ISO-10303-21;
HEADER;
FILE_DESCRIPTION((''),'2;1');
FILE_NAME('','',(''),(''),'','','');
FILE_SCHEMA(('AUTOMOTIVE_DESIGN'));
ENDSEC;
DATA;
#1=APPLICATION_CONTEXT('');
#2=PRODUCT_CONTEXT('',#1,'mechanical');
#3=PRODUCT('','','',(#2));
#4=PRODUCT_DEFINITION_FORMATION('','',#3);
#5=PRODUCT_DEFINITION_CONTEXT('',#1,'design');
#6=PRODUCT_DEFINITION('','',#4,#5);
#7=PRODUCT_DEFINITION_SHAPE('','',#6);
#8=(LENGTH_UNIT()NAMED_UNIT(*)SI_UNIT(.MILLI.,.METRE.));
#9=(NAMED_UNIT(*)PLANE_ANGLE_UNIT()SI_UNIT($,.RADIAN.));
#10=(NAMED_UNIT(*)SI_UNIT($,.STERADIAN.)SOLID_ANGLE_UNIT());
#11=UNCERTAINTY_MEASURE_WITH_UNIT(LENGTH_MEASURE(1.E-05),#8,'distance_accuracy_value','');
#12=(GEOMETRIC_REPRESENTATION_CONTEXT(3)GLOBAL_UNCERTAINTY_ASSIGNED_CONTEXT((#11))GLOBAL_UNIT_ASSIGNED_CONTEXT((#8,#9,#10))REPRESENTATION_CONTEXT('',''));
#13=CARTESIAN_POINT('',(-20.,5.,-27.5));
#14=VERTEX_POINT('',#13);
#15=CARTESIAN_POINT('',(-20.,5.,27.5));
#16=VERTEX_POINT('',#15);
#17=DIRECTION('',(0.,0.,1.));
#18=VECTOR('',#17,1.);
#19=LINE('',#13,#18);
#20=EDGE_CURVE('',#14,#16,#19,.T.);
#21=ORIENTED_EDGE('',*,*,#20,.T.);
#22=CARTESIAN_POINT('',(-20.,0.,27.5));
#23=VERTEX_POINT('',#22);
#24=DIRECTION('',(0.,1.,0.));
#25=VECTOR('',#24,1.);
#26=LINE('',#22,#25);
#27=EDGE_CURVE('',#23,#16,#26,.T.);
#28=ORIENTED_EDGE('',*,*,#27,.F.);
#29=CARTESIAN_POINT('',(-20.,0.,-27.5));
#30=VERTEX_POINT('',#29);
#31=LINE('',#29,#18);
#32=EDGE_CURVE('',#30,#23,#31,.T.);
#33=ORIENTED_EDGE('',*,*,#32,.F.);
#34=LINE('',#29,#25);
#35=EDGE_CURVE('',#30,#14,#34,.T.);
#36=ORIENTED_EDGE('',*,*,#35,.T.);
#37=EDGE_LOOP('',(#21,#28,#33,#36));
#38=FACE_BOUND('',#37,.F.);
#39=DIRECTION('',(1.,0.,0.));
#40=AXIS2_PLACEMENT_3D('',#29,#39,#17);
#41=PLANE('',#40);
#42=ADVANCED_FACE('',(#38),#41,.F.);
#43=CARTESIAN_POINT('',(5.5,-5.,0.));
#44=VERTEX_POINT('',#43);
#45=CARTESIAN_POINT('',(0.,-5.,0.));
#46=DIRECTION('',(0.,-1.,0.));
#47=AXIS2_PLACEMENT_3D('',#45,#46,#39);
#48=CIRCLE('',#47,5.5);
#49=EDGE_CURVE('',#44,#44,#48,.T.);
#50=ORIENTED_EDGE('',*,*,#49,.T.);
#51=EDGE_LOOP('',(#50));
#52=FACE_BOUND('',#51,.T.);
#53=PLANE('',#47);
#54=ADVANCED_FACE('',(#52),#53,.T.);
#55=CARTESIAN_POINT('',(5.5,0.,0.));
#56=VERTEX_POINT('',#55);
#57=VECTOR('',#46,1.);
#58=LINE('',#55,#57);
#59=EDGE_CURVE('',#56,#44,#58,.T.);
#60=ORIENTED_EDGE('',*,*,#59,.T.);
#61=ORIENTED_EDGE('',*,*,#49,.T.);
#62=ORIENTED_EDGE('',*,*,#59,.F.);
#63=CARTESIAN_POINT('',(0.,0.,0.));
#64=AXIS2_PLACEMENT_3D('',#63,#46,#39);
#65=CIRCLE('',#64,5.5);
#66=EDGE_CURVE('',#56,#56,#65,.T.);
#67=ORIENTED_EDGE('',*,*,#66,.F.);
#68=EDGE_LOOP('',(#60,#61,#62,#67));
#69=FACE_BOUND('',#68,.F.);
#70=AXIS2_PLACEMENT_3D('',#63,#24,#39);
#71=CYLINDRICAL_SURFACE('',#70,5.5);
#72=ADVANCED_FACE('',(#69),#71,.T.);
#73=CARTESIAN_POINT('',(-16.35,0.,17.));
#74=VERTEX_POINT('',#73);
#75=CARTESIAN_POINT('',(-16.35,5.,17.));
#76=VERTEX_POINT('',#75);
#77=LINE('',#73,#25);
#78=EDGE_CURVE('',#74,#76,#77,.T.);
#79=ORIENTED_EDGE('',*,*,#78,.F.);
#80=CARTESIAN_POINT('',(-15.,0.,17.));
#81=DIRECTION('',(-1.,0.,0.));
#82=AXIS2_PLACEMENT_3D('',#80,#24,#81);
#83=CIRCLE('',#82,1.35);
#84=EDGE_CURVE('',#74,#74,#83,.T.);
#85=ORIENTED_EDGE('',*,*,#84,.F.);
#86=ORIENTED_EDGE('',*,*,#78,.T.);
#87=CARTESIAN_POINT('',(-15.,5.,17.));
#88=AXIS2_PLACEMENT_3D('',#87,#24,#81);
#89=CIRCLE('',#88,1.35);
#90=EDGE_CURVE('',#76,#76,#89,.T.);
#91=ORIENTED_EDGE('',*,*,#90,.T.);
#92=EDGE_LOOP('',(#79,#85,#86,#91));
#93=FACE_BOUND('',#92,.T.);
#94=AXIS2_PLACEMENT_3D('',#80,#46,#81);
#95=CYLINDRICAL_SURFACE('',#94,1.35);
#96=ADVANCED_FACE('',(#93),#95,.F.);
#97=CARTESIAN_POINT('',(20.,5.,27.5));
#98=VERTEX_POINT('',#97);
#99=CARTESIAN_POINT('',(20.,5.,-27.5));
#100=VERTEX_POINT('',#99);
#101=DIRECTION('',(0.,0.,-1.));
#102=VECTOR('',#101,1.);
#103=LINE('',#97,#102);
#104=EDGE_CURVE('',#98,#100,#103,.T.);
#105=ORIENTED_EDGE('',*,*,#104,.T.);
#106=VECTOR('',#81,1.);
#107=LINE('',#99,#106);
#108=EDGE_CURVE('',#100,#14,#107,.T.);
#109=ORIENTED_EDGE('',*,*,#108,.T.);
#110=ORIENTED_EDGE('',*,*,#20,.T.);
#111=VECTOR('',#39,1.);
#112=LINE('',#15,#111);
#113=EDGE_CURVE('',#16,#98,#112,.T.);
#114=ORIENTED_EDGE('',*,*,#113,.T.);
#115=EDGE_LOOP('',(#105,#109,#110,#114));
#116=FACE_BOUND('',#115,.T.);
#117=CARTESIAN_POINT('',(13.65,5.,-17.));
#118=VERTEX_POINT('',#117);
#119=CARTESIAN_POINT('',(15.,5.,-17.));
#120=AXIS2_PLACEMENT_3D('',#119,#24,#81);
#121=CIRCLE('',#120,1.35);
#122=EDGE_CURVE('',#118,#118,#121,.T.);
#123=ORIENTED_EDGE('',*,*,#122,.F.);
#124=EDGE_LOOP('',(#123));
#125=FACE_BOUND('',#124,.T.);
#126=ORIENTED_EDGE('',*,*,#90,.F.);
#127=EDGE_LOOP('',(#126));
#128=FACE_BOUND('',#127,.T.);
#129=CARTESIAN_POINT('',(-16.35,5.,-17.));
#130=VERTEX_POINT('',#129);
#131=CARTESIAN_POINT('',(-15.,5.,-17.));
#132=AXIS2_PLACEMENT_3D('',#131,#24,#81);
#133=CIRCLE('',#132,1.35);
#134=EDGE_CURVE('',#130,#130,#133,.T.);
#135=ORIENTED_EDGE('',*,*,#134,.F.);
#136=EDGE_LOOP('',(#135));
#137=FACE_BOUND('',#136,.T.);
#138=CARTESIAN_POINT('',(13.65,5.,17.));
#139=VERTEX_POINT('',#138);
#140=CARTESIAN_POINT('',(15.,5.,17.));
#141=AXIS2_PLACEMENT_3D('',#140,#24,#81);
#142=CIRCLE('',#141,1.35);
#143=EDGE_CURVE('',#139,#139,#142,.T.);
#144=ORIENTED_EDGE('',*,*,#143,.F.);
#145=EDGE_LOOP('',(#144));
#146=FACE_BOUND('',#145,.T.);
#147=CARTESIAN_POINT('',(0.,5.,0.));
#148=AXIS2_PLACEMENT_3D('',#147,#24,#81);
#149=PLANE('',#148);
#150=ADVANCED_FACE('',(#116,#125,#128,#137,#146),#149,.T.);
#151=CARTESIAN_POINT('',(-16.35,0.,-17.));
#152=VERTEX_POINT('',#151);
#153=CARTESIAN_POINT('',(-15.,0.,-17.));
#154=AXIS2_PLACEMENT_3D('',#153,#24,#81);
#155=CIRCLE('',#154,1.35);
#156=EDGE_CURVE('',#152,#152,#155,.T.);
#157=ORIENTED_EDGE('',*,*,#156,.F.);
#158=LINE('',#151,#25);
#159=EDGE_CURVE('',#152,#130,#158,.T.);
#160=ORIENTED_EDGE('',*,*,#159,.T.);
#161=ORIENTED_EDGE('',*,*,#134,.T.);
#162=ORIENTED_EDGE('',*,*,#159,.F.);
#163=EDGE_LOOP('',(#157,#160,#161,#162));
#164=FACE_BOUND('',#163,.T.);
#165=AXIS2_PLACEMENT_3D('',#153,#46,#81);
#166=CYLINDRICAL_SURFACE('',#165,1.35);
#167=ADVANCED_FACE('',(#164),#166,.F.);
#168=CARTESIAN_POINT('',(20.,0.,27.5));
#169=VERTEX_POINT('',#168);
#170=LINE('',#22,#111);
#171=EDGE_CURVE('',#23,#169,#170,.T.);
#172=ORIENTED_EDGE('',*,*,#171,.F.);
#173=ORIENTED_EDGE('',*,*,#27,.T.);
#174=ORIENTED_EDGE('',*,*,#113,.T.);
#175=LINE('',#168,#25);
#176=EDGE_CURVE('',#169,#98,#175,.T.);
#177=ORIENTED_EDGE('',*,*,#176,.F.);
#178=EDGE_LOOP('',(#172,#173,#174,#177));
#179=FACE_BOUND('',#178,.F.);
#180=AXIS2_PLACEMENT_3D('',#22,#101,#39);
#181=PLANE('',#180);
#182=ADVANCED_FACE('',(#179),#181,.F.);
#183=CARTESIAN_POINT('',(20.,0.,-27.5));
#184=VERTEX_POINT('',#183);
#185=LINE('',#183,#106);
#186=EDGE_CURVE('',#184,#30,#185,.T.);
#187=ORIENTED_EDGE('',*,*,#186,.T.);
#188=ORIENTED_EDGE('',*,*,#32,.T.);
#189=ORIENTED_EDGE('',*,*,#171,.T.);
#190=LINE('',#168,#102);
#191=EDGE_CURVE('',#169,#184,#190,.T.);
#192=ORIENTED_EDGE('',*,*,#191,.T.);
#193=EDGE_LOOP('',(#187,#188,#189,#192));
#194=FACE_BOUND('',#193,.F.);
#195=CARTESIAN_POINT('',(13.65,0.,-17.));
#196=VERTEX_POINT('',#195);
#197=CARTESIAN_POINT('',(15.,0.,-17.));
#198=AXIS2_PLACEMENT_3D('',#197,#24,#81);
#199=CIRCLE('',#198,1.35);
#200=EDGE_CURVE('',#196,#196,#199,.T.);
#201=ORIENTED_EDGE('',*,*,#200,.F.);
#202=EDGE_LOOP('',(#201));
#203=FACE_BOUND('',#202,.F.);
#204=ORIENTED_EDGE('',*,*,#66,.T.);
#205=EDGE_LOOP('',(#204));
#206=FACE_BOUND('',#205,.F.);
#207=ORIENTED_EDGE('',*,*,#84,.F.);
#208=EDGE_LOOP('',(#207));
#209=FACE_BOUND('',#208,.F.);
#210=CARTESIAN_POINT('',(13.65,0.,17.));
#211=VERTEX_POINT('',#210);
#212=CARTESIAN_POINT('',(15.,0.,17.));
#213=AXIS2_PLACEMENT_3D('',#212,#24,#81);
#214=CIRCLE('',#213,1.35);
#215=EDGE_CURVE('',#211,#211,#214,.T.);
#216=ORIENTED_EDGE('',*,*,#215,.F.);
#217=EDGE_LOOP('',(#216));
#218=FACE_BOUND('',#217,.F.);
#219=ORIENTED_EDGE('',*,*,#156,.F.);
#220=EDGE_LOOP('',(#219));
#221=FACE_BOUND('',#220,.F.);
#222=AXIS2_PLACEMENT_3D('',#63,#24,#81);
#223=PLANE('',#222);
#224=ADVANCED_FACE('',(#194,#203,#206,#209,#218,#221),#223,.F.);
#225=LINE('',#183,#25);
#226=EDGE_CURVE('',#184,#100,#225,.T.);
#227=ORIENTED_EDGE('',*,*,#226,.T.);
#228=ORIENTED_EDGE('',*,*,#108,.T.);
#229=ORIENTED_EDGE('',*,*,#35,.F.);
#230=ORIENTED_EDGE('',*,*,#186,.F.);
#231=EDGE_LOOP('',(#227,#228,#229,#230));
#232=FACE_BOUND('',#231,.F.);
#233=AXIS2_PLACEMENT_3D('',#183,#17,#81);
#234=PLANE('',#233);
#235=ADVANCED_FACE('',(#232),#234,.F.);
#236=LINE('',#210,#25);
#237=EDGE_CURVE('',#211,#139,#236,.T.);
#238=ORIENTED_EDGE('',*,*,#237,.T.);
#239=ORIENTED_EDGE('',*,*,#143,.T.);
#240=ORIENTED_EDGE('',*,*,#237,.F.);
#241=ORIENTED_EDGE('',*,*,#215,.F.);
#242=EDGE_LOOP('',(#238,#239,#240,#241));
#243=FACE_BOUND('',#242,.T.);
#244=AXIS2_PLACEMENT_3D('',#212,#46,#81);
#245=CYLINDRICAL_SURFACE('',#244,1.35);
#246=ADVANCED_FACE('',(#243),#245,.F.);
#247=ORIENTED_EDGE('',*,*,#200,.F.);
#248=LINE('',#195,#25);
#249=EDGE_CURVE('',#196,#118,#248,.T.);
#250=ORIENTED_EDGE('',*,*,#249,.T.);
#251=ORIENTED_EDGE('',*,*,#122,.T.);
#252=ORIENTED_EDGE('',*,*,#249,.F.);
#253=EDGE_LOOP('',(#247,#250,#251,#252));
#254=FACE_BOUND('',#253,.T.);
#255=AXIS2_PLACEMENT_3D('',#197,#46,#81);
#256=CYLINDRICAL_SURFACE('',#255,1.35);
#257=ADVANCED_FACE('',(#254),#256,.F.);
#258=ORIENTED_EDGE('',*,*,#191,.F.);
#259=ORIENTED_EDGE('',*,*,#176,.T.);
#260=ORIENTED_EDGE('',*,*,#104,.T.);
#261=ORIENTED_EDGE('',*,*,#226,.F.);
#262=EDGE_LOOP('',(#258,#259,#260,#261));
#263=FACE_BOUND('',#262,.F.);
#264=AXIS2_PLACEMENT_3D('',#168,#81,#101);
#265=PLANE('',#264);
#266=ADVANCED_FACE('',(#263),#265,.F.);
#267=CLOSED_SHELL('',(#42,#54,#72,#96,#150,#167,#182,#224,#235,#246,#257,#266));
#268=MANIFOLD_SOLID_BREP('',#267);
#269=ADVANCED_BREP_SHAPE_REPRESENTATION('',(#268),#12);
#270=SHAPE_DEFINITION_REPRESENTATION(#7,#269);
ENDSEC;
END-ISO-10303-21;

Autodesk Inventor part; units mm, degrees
ref_plane "YZ Plane" through (0, 0, 0) normal (1, 0, 0) x (0, 1, 0)
ref_plane "XZ Plane" through (0, 0, 0) normal (0, 1, 0) x (-1, 0, 0)
ref_plane "XY Plane" through (0, 0, 0) normal (0, 0, 1) x (1, 0, 0)
sketch "Sketch1" plane through (0, 0, 0) normal (0, 1, 0) x (-1, 0, 0)
  line L0 (20, 27.5) -> (-20, 27.5)
  line L1 (-20, 27.5) -> (-20, -27.5)
  line L2 (-20, -27.5) -> (20, -27.5)
  line L3 (20, -27.5) -> (20, 27.5)
  circle A0 centre (15, 17) radius 1.35
  circle A1 centre (15, -17) radius 1.35
  circle A2 centre (-15, 17) radius 1.35
  circle A3 centre (-15, -17) radius 1.35
  point P0 (0, 0)
  dimension "d0" = 40
  dimension "d1" = 55
  dimension "d2" = 2.7
  dimension "d3" = 2.7
  dimension "d4" = 2.7
  dimension "d5" = 2.7
extrude "Extrusion1" add sketch "Sketch1" along normal blind 5
sketch "Sketch2" plane through (0, 0, 0) normal (0, -1, 0) x (1, 0, 0)
  circle A0 centre (0, 0) radius 5.5
  dimension "d8" = 11
extrude "Extrusion2" add sketch "Sketch2" along normal blind 5
properties part number "connectorModelFinal"
